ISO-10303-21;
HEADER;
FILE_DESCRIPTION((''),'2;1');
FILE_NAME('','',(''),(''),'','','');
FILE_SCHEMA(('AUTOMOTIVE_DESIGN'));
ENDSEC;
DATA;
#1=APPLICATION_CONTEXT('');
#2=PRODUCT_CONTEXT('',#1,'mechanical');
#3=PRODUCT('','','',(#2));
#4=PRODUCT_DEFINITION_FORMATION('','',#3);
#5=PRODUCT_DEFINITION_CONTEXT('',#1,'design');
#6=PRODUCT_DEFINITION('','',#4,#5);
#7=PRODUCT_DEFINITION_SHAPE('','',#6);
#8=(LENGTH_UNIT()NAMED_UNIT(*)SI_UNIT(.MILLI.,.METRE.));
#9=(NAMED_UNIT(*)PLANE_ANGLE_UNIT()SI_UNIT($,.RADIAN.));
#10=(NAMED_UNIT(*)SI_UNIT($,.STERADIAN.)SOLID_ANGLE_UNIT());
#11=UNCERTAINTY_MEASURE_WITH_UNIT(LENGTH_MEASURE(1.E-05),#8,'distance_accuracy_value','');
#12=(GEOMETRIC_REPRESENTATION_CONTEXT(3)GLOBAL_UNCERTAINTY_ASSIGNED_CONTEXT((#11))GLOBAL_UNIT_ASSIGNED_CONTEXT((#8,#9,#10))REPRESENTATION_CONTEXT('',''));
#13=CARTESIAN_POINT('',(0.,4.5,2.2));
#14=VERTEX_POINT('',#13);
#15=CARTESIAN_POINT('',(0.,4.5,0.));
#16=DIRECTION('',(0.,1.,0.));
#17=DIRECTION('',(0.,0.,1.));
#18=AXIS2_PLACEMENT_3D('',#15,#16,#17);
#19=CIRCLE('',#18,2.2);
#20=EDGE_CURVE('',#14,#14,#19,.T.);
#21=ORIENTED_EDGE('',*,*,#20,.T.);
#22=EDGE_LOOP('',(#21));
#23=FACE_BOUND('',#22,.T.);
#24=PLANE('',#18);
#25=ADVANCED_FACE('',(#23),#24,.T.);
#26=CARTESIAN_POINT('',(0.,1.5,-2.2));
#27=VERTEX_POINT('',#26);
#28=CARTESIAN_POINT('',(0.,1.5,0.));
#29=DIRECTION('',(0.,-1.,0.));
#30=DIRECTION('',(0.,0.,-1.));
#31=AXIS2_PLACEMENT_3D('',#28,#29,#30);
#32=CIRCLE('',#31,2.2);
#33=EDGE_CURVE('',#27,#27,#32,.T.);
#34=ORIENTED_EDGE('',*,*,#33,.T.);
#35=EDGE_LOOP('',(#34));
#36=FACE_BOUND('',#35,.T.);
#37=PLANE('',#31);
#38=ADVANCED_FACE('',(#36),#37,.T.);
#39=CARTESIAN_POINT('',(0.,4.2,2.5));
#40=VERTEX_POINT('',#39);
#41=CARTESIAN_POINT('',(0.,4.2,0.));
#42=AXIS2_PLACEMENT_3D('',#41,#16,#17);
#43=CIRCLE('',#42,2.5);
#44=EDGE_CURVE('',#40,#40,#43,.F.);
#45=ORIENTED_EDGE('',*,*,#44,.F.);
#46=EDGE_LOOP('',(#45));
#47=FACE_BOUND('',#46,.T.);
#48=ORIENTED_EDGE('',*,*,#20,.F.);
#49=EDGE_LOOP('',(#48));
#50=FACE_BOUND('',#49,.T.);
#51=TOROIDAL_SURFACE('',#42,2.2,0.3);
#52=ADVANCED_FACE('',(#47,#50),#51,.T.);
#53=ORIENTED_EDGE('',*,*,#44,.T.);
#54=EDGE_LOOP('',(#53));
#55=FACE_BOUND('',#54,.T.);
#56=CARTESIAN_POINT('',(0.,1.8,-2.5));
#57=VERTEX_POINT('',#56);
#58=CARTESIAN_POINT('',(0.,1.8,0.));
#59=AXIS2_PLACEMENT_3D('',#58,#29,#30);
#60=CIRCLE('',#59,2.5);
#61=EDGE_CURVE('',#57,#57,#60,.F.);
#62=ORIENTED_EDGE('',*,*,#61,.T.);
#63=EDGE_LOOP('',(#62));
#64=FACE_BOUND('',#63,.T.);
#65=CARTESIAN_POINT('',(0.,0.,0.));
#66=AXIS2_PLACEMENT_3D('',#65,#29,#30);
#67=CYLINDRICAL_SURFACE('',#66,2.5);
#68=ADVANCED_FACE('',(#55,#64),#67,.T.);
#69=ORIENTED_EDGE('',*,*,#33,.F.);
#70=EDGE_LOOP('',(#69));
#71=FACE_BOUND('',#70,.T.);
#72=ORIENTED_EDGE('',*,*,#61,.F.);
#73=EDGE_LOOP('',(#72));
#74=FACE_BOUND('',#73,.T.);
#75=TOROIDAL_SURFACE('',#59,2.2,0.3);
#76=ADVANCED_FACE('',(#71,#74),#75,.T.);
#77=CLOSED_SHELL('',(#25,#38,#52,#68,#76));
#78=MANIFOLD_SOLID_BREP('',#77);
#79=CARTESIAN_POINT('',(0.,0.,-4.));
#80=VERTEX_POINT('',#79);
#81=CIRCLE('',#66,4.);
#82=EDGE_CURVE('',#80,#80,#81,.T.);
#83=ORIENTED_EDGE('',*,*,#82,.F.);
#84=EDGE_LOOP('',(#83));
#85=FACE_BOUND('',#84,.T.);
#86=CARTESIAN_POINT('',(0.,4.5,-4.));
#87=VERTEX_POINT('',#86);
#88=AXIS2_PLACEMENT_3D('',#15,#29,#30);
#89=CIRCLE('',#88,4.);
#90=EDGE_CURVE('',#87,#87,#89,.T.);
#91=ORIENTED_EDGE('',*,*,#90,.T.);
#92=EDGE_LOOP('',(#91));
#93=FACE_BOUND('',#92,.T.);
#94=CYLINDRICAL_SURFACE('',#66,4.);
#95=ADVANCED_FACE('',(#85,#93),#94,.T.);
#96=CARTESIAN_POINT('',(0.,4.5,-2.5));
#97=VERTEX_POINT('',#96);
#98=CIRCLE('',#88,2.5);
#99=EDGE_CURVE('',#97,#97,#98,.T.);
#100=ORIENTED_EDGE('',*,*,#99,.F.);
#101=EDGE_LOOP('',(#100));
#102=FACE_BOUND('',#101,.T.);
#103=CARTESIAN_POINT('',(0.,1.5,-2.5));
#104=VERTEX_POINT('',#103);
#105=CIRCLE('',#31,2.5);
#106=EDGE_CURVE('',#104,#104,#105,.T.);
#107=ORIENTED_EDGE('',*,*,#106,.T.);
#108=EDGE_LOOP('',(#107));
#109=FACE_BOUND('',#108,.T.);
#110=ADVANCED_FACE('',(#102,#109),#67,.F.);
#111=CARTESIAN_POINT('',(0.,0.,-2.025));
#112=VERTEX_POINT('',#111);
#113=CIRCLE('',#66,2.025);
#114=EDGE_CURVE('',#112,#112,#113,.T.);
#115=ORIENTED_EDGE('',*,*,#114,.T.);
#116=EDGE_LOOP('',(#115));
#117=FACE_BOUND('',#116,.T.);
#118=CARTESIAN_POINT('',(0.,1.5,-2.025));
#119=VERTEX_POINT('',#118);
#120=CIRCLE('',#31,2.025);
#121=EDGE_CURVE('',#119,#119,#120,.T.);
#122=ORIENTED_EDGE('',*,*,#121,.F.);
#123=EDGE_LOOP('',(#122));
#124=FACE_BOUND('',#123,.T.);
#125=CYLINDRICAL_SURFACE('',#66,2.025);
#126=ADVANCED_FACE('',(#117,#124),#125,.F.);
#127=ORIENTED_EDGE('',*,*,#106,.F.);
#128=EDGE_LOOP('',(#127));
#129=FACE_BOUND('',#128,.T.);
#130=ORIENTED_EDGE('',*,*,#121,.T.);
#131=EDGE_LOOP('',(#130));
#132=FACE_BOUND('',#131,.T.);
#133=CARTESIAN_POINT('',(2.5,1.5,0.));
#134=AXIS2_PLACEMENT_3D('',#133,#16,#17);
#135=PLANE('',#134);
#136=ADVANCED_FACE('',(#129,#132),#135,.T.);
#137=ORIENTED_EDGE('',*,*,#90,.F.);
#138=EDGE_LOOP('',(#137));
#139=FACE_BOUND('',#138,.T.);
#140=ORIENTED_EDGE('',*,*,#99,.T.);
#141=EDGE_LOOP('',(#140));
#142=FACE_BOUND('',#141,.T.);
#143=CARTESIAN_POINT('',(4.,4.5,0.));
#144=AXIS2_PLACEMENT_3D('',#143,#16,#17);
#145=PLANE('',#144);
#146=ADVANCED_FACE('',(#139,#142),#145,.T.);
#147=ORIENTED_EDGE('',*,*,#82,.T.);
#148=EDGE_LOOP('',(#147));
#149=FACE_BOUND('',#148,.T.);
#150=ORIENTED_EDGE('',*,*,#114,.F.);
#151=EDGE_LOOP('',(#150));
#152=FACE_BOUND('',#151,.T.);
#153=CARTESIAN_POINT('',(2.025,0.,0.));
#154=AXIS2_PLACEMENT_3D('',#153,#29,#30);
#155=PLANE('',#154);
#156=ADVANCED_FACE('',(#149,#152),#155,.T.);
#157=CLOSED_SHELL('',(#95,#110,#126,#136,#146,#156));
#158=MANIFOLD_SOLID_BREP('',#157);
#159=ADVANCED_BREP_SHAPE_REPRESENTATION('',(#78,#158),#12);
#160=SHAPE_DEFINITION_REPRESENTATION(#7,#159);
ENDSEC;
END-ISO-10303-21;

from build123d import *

# Parameters (mm, degrees)
SKETCH_2_W = 2.5
SKETCH_2_H = 3
FILLET_1_R = 0.3


with BuildPart() as part:
    # 草图1 → 旋转1 (revolve)
    with BuildSketch(Plane.XY, mode=Mode.PRIVATE) as revolve_1_sk:
        Polygon((2.025, 0), (2.025, 1.5), (2.5, 1.5), (2.5, 4.5), (4, 4.5), (4, 0), align=None)
    revolve(revolve_1_sk.sketch.rotate(Axis((0, 0, 0), (0, 1, 0)), 90), axis=Axis((0, 0, 0), (0, 1, 0)))


with BuildPart() as body_2:
    # 草图2 → 旋转2 (revolve)
    with BuildSketch(Plane.XY):
        with Locations((1.25, 3)):
            Rectangle(SKETCH_2_W, SKETCH_2_H)
    revolve(axis=Axis((0, 0, 0), (0, 1, 0)))

    # 圆角1
    fillet_1_edges = [body_2.edges().sort_by_distance(p)[0] for p in [
        (-2.5, 4.5, 0),
        (-2.5, 1.5, 0),
    ]]
    fillet(fillet_1_edges, radius=FILLET_1_R)


solid = Compound([part.part, body_2.part])
